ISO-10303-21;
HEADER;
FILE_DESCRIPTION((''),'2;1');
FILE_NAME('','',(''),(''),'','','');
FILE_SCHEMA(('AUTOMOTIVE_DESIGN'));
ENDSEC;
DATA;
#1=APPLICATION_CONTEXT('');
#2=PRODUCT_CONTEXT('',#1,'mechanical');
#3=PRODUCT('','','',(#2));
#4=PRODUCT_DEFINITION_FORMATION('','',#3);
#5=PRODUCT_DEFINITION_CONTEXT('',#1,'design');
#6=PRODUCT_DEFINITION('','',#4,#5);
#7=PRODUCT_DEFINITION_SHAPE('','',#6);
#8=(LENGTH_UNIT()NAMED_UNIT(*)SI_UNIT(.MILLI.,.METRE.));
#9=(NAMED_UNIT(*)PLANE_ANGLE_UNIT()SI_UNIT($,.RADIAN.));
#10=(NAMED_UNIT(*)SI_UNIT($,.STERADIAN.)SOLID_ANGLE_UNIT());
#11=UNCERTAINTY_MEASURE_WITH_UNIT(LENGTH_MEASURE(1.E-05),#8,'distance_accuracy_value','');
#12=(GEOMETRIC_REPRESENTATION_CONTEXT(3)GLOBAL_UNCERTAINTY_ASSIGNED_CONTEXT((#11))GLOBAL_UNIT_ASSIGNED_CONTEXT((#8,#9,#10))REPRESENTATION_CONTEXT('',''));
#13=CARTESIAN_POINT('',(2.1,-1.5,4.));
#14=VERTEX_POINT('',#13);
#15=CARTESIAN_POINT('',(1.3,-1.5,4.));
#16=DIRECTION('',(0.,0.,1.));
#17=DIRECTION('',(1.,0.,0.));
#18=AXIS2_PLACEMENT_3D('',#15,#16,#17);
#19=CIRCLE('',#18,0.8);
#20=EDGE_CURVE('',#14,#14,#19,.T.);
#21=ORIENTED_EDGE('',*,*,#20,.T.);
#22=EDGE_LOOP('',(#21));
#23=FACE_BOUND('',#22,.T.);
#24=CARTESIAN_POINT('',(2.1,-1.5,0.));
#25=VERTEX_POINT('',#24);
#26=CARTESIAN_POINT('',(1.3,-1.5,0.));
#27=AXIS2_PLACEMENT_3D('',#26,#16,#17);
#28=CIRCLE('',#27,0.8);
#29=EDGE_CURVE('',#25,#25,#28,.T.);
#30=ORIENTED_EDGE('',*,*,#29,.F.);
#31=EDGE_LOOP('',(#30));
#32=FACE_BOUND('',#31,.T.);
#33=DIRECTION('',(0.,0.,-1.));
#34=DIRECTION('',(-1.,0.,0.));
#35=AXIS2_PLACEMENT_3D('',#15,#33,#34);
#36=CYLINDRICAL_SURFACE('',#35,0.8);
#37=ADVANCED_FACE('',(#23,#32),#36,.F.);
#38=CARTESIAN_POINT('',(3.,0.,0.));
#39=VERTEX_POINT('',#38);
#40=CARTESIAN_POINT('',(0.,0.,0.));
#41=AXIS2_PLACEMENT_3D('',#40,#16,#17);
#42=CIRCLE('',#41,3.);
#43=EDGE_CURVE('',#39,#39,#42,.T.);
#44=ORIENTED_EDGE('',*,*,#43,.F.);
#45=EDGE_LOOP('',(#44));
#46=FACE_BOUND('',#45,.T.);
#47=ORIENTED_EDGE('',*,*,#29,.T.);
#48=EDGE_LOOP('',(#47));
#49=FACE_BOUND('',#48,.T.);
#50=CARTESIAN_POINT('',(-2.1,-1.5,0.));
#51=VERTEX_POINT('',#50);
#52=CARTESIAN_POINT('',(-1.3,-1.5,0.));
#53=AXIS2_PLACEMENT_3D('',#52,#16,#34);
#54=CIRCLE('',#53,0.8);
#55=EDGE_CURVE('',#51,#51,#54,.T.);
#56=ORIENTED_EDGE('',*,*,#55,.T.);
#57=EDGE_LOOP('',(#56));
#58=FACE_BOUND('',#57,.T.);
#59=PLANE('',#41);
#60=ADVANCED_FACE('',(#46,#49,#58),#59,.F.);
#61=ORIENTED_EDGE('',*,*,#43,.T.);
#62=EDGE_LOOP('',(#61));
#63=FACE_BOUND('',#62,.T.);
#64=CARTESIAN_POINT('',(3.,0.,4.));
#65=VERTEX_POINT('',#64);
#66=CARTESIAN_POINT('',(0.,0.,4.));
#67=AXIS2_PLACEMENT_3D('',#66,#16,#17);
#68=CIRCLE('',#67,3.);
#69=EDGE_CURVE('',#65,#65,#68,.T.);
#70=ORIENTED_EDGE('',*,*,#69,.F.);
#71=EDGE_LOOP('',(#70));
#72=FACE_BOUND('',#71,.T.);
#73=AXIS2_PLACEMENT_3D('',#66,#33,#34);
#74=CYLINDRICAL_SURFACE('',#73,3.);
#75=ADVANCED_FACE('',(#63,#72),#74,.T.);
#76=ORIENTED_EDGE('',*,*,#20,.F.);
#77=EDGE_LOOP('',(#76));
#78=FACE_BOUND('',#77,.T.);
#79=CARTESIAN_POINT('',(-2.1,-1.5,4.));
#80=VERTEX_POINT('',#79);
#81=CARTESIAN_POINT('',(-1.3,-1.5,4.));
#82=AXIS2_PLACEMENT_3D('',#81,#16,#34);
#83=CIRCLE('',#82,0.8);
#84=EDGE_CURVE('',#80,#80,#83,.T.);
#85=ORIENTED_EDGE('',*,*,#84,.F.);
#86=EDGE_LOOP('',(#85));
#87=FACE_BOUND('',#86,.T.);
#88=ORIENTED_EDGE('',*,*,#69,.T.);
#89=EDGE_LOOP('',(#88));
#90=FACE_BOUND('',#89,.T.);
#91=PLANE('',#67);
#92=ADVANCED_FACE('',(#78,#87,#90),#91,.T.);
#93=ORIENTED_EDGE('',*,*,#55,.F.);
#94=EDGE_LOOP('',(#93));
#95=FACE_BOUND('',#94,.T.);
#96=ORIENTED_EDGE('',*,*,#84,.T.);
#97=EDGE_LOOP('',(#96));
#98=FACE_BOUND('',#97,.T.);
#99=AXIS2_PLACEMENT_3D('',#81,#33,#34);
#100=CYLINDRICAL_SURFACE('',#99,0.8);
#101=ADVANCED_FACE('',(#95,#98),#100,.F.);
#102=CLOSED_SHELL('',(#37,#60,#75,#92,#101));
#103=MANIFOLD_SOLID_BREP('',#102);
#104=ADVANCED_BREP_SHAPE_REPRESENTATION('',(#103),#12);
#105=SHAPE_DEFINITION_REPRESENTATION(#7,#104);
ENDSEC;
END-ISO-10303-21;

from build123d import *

# Parameters (mm, degrees)
SKETCH_1_R      = 3
SKETCH_1_R_2    = 0.8
EXTRUDE_1_DEPTH = 4


with BuildPart() as part:
    # 草图1 → 凸台-拉伸1 (new body)
    with BuildSketch(Plane.XY):
        Circle(SKETCH_1_R)
        with Locations((1.3, -1.5)):
            Circle(SKETCH_1_R_2, mode=Mode.SUBTRACT)
        with Locations((-1.3, -1.5)):
            Circle(SKETCH_1_R_2, mode=Mode.SUBTRACT)
    extrude(amount=EXTRUDE_1_DEPTH)


solid = part.part
